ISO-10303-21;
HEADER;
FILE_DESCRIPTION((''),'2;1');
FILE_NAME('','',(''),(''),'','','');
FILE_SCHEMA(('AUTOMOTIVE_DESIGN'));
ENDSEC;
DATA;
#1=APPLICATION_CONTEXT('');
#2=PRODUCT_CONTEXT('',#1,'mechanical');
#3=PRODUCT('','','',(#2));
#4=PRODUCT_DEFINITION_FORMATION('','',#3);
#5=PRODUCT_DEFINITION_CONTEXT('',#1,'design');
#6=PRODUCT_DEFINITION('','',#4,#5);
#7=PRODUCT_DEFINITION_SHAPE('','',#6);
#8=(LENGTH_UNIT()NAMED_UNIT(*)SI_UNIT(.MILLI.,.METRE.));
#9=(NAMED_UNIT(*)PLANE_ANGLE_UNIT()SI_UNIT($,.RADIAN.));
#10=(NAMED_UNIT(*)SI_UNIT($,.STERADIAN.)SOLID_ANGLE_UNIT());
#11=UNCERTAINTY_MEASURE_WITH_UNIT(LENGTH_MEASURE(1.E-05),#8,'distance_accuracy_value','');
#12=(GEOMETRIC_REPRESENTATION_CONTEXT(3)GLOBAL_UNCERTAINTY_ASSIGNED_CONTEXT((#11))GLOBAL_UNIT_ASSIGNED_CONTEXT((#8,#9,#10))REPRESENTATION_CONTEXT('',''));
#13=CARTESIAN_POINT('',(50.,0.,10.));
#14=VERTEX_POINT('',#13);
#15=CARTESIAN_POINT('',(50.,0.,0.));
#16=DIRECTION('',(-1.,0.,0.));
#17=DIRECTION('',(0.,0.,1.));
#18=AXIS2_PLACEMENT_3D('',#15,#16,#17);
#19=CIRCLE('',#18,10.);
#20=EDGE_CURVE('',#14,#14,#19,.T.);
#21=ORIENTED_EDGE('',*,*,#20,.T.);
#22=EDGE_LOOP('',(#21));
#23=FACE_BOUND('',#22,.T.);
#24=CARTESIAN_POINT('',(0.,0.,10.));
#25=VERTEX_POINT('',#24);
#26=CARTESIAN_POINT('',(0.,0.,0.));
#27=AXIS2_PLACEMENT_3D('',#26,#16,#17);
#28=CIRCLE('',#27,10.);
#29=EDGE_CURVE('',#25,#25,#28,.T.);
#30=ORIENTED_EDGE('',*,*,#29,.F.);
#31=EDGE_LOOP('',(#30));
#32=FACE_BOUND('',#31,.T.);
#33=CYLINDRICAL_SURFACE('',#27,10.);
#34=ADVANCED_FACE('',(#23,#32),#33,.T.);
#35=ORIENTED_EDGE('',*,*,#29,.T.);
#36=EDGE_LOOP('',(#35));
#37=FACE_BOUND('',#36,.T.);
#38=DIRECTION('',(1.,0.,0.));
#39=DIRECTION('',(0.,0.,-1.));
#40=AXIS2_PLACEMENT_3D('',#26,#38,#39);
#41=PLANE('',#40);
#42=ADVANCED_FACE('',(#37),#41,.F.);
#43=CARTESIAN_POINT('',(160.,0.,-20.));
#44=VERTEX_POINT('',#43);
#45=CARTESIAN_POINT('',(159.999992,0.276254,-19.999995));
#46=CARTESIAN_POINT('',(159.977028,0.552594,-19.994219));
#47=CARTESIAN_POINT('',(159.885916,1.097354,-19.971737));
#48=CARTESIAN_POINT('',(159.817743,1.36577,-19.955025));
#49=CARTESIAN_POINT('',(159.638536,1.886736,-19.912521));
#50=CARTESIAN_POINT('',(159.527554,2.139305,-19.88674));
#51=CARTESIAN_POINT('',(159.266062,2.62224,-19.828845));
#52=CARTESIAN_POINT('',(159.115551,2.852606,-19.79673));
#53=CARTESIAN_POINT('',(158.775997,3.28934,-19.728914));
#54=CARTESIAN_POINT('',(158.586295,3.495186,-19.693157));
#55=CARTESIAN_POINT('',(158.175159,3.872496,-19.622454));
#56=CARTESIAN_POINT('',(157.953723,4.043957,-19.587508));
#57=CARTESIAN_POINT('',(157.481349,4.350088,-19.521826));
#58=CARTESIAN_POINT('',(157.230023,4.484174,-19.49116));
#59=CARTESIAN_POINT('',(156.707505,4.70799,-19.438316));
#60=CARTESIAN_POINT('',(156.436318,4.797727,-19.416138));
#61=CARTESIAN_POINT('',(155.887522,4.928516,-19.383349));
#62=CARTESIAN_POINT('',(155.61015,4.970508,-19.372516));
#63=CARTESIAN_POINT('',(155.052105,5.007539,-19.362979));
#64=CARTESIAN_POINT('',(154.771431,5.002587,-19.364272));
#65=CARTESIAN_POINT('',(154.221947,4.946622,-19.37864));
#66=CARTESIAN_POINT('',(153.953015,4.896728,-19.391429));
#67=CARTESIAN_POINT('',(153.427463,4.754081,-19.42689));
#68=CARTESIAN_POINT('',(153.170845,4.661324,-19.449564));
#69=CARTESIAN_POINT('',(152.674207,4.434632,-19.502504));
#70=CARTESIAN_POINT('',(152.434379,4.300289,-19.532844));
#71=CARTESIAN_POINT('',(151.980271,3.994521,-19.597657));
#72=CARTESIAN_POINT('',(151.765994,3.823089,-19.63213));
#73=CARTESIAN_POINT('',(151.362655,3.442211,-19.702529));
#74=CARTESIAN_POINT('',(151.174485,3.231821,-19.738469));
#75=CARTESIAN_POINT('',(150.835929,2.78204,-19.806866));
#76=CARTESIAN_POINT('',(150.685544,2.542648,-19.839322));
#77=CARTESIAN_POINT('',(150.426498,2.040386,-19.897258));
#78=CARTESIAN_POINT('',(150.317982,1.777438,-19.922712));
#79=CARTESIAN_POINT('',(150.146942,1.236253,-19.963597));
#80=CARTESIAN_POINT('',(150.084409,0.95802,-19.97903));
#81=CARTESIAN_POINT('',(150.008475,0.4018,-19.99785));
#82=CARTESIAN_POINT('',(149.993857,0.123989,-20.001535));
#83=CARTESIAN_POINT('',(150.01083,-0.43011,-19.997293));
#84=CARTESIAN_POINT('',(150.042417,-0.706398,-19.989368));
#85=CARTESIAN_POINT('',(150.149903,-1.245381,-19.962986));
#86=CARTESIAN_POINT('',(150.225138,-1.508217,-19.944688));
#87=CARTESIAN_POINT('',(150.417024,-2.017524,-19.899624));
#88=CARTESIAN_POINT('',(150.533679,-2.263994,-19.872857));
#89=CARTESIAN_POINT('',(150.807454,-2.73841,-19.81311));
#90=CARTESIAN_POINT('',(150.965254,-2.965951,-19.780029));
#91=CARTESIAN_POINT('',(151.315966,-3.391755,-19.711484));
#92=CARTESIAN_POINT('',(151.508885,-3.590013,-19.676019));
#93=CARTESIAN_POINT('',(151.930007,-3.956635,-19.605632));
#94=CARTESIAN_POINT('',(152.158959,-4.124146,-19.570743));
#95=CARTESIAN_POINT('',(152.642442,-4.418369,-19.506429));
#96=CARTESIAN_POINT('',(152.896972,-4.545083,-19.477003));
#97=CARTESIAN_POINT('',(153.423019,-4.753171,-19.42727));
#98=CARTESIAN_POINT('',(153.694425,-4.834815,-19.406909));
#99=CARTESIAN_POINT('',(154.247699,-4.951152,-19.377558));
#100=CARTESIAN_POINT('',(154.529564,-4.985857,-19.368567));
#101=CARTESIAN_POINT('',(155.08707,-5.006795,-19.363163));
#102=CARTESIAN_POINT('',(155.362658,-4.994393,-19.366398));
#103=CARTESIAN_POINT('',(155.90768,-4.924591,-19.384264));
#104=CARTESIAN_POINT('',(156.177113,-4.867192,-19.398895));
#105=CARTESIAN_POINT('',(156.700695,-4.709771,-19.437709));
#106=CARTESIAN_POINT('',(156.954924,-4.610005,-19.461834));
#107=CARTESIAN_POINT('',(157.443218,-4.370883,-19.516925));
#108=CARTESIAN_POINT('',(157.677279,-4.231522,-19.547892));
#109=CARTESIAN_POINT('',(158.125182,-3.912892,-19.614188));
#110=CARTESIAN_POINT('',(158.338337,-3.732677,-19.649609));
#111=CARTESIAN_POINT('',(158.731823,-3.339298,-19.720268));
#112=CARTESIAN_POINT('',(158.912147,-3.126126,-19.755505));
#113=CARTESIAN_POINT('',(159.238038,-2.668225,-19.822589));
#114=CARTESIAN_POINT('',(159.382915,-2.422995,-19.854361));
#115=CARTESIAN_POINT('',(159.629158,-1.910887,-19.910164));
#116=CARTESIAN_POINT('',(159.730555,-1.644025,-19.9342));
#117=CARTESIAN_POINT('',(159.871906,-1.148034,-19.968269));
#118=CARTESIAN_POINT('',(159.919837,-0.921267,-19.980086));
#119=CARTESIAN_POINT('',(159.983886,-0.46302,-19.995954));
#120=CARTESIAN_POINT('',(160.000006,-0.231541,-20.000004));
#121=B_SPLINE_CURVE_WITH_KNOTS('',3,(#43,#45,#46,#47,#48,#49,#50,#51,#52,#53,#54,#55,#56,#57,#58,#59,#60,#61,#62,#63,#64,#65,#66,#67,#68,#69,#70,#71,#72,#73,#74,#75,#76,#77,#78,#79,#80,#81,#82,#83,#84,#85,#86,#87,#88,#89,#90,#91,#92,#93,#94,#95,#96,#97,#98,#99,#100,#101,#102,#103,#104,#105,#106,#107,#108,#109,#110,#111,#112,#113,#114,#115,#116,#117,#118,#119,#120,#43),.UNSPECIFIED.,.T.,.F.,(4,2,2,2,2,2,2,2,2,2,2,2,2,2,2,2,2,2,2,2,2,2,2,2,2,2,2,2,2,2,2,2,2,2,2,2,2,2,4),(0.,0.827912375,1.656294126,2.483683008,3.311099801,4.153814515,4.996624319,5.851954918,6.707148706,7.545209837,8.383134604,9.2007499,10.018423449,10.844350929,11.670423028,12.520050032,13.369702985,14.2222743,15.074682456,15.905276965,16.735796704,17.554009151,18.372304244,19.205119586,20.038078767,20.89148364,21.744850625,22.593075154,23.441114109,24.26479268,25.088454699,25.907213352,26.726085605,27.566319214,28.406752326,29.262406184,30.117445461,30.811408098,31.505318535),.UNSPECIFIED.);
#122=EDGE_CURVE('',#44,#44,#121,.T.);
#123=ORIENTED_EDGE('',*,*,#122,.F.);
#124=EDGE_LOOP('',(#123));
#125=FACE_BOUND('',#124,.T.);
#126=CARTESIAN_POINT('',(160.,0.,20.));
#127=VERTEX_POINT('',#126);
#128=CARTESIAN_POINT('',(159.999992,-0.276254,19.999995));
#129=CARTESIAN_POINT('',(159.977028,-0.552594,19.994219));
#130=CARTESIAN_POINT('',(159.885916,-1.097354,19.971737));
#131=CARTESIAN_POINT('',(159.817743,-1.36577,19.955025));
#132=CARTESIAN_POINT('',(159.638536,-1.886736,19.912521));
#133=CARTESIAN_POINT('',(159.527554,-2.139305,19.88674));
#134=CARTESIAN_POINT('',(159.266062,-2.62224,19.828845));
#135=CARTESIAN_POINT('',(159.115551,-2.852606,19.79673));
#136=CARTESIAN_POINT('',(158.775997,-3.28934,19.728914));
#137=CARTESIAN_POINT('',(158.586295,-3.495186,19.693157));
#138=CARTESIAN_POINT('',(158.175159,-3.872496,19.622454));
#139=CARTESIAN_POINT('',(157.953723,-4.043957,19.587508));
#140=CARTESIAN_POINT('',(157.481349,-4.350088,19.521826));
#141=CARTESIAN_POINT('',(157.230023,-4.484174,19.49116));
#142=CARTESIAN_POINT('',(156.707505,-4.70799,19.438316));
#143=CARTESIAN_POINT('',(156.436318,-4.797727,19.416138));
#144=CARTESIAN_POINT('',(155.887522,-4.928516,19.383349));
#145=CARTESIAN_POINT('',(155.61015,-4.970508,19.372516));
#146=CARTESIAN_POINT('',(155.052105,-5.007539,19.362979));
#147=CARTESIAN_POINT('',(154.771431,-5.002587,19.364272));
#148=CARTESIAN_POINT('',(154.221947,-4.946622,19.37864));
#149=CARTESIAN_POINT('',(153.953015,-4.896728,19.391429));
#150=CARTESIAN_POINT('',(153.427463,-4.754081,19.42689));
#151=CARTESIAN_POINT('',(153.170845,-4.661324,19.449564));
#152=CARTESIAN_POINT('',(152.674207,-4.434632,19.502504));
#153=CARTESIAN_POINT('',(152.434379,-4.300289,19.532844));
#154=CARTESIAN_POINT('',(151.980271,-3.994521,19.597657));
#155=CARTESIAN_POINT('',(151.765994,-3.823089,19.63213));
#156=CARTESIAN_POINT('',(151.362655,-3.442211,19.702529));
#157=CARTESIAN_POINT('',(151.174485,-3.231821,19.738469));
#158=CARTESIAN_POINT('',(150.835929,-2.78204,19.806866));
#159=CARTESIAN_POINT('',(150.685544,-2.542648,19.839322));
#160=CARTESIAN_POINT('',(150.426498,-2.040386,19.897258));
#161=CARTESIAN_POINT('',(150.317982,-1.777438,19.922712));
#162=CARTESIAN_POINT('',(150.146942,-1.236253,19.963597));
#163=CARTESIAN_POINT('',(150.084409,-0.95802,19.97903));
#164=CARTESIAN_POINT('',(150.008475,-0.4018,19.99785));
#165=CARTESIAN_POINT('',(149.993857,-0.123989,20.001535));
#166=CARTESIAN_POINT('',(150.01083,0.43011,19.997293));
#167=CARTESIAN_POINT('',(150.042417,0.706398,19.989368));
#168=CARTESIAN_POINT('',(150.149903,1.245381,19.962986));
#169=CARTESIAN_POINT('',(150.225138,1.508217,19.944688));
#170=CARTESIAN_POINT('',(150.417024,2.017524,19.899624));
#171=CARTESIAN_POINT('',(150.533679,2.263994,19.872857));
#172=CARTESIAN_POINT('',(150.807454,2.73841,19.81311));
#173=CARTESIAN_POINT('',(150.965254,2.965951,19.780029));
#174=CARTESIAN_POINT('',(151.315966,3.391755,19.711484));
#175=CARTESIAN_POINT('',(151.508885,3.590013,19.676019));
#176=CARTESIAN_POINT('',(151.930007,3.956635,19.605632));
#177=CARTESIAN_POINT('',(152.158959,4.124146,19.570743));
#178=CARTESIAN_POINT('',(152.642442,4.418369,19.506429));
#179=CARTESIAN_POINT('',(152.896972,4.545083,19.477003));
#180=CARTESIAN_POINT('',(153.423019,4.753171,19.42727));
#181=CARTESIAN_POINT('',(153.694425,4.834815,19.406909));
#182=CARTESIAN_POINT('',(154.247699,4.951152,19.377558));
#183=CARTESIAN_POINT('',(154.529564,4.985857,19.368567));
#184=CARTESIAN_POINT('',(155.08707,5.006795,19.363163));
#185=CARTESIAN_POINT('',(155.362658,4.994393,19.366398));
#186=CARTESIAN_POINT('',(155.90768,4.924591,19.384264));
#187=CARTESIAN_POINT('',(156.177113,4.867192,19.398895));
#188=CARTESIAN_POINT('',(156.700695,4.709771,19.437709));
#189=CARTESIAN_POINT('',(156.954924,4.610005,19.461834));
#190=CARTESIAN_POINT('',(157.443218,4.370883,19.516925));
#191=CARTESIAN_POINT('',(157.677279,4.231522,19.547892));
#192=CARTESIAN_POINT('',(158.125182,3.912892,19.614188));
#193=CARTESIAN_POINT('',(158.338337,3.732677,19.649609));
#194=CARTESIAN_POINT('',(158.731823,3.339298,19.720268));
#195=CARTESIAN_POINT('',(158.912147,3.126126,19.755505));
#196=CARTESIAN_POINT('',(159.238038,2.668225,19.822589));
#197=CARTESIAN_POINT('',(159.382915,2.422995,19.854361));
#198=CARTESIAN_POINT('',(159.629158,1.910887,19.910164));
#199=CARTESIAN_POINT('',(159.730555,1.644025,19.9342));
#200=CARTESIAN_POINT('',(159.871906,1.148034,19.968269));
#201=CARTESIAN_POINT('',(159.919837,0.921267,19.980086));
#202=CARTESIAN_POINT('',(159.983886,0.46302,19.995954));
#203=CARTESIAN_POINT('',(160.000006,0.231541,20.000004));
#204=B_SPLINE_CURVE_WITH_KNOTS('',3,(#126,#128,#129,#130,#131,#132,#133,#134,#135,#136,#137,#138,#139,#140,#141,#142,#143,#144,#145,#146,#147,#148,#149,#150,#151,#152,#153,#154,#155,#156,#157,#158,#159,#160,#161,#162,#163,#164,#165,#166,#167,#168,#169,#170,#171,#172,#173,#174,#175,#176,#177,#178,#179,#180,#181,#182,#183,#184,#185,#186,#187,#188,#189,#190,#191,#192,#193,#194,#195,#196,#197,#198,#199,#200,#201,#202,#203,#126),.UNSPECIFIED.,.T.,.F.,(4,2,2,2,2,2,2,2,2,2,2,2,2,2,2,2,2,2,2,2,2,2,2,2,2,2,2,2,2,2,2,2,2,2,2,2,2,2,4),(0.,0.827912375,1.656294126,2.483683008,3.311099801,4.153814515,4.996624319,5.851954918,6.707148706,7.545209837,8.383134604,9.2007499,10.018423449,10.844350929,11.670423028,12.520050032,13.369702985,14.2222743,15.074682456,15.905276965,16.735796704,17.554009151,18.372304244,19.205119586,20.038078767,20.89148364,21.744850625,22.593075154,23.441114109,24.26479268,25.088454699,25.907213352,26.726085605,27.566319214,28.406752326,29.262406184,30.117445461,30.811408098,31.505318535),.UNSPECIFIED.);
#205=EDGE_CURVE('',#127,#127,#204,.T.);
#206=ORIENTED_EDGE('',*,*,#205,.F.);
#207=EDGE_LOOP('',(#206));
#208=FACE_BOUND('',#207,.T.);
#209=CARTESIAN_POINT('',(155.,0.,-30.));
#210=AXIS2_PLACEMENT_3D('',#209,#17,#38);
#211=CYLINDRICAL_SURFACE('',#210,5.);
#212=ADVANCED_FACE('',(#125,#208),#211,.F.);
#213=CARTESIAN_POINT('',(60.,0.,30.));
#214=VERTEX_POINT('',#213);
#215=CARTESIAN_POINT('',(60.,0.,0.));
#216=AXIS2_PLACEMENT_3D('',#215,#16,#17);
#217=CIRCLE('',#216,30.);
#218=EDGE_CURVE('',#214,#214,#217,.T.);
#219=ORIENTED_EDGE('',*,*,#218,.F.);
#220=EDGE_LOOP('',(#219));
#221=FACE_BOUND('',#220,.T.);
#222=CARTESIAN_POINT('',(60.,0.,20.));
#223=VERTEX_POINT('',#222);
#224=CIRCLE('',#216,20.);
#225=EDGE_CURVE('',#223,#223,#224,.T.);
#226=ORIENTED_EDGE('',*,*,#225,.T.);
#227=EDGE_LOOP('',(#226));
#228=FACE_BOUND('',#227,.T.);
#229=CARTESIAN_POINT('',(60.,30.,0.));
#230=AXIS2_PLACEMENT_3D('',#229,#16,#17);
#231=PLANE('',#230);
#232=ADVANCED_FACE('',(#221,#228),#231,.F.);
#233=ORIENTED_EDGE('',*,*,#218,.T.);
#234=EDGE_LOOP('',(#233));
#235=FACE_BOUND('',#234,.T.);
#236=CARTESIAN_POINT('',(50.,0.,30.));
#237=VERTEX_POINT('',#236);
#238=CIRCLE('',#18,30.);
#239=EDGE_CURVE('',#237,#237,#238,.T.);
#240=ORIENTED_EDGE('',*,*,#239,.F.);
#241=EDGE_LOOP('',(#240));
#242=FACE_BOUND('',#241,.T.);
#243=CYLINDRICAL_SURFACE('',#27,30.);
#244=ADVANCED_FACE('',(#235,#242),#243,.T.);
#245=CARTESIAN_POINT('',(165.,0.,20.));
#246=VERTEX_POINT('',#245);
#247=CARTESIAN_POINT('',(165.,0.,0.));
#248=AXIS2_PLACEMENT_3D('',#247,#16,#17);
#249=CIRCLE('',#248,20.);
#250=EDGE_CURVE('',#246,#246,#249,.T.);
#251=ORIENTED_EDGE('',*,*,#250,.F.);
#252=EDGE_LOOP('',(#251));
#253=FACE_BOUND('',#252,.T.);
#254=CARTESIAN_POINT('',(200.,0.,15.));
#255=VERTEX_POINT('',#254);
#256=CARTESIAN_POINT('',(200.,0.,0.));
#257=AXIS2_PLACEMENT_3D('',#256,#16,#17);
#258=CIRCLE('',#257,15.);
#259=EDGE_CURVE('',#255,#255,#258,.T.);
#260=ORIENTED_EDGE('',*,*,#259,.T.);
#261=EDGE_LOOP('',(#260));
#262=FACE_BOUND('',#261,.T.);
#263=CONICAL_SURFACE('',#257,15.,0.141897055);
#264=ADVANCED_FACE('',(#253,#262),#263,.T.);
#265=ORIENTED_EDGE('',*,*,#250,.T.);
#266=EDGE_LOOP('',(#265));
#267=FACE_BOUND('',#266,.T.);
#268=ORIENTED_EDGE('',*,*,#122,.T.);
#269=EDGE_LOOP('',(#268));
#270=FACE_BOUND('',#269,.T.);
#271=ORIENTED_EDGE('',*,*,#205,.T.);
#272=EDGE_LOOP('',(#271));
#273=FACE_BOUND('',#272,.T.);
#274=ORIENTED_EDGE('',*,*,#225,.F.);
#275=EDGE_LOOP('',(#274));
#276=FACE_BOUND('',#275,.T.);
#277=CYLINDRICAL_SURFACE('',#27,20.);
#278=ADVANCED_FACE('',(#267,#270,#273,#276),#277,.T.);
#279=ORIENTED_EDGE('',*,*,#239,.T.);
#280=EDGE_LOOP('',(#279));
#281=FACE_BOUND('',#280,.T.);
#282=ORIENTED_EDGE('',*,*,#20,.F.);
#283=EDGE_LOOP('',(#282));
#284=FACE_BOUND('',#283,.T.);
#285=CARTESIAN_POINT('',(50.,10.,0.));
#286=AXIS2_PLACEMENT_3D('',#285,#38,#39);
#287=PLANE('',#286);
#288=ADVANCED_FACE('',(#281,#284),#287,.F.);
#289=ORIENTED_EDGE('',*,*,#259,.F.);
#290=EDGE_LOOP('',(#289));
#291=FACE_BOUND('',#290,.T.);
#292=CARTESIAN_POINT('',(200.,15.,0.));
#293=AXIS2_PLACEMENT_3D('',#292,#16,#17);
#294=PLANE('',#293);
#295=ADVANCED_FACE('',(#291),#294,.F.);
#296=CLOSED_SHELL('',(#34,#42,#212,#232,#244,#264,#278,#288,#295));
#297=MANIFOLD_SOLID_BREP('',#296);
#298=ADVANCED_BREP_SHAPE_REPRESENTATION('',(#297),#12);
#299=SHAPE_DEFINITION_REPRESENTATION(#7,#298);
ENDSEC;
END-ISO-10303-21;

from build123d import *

# Parameters (mm, degrees)
SKETCH_2_R          = 5
CUT_EXTRUDE_1_DEPTH = 209.32666656


with BuildPart() as part:
    # 草图1 → 旋转1 (revolve)
    with BuildSketch(Plane.XY, mode=Mode.PRIVATE) as revolve_1_sk:
        Polygon((0, 0), (200, 0), (200, 15), (165, 20), (60, 20), (60, 30), (50, 30), (50, 10), (0, 10), align=None)
    revolve(revolve_1_sk.sketch.rotate(Axis((0, 0, 0), (1, 0, 0)), 90), axis=Axis((0, 0, 0), (1, 0, 0)))

    # 草图2 → 切除-拉伸1 (cut, through all)
    with BuildSketch(Plane.XY.offset(20)):
        with Locations((155, 0)):
            Circle(SKETCH_2_R)
    extrude(amount=-CUT_EXTRUDE_1_DEPTH, mode=Mode.SUBTRACT)


solid = part.part
